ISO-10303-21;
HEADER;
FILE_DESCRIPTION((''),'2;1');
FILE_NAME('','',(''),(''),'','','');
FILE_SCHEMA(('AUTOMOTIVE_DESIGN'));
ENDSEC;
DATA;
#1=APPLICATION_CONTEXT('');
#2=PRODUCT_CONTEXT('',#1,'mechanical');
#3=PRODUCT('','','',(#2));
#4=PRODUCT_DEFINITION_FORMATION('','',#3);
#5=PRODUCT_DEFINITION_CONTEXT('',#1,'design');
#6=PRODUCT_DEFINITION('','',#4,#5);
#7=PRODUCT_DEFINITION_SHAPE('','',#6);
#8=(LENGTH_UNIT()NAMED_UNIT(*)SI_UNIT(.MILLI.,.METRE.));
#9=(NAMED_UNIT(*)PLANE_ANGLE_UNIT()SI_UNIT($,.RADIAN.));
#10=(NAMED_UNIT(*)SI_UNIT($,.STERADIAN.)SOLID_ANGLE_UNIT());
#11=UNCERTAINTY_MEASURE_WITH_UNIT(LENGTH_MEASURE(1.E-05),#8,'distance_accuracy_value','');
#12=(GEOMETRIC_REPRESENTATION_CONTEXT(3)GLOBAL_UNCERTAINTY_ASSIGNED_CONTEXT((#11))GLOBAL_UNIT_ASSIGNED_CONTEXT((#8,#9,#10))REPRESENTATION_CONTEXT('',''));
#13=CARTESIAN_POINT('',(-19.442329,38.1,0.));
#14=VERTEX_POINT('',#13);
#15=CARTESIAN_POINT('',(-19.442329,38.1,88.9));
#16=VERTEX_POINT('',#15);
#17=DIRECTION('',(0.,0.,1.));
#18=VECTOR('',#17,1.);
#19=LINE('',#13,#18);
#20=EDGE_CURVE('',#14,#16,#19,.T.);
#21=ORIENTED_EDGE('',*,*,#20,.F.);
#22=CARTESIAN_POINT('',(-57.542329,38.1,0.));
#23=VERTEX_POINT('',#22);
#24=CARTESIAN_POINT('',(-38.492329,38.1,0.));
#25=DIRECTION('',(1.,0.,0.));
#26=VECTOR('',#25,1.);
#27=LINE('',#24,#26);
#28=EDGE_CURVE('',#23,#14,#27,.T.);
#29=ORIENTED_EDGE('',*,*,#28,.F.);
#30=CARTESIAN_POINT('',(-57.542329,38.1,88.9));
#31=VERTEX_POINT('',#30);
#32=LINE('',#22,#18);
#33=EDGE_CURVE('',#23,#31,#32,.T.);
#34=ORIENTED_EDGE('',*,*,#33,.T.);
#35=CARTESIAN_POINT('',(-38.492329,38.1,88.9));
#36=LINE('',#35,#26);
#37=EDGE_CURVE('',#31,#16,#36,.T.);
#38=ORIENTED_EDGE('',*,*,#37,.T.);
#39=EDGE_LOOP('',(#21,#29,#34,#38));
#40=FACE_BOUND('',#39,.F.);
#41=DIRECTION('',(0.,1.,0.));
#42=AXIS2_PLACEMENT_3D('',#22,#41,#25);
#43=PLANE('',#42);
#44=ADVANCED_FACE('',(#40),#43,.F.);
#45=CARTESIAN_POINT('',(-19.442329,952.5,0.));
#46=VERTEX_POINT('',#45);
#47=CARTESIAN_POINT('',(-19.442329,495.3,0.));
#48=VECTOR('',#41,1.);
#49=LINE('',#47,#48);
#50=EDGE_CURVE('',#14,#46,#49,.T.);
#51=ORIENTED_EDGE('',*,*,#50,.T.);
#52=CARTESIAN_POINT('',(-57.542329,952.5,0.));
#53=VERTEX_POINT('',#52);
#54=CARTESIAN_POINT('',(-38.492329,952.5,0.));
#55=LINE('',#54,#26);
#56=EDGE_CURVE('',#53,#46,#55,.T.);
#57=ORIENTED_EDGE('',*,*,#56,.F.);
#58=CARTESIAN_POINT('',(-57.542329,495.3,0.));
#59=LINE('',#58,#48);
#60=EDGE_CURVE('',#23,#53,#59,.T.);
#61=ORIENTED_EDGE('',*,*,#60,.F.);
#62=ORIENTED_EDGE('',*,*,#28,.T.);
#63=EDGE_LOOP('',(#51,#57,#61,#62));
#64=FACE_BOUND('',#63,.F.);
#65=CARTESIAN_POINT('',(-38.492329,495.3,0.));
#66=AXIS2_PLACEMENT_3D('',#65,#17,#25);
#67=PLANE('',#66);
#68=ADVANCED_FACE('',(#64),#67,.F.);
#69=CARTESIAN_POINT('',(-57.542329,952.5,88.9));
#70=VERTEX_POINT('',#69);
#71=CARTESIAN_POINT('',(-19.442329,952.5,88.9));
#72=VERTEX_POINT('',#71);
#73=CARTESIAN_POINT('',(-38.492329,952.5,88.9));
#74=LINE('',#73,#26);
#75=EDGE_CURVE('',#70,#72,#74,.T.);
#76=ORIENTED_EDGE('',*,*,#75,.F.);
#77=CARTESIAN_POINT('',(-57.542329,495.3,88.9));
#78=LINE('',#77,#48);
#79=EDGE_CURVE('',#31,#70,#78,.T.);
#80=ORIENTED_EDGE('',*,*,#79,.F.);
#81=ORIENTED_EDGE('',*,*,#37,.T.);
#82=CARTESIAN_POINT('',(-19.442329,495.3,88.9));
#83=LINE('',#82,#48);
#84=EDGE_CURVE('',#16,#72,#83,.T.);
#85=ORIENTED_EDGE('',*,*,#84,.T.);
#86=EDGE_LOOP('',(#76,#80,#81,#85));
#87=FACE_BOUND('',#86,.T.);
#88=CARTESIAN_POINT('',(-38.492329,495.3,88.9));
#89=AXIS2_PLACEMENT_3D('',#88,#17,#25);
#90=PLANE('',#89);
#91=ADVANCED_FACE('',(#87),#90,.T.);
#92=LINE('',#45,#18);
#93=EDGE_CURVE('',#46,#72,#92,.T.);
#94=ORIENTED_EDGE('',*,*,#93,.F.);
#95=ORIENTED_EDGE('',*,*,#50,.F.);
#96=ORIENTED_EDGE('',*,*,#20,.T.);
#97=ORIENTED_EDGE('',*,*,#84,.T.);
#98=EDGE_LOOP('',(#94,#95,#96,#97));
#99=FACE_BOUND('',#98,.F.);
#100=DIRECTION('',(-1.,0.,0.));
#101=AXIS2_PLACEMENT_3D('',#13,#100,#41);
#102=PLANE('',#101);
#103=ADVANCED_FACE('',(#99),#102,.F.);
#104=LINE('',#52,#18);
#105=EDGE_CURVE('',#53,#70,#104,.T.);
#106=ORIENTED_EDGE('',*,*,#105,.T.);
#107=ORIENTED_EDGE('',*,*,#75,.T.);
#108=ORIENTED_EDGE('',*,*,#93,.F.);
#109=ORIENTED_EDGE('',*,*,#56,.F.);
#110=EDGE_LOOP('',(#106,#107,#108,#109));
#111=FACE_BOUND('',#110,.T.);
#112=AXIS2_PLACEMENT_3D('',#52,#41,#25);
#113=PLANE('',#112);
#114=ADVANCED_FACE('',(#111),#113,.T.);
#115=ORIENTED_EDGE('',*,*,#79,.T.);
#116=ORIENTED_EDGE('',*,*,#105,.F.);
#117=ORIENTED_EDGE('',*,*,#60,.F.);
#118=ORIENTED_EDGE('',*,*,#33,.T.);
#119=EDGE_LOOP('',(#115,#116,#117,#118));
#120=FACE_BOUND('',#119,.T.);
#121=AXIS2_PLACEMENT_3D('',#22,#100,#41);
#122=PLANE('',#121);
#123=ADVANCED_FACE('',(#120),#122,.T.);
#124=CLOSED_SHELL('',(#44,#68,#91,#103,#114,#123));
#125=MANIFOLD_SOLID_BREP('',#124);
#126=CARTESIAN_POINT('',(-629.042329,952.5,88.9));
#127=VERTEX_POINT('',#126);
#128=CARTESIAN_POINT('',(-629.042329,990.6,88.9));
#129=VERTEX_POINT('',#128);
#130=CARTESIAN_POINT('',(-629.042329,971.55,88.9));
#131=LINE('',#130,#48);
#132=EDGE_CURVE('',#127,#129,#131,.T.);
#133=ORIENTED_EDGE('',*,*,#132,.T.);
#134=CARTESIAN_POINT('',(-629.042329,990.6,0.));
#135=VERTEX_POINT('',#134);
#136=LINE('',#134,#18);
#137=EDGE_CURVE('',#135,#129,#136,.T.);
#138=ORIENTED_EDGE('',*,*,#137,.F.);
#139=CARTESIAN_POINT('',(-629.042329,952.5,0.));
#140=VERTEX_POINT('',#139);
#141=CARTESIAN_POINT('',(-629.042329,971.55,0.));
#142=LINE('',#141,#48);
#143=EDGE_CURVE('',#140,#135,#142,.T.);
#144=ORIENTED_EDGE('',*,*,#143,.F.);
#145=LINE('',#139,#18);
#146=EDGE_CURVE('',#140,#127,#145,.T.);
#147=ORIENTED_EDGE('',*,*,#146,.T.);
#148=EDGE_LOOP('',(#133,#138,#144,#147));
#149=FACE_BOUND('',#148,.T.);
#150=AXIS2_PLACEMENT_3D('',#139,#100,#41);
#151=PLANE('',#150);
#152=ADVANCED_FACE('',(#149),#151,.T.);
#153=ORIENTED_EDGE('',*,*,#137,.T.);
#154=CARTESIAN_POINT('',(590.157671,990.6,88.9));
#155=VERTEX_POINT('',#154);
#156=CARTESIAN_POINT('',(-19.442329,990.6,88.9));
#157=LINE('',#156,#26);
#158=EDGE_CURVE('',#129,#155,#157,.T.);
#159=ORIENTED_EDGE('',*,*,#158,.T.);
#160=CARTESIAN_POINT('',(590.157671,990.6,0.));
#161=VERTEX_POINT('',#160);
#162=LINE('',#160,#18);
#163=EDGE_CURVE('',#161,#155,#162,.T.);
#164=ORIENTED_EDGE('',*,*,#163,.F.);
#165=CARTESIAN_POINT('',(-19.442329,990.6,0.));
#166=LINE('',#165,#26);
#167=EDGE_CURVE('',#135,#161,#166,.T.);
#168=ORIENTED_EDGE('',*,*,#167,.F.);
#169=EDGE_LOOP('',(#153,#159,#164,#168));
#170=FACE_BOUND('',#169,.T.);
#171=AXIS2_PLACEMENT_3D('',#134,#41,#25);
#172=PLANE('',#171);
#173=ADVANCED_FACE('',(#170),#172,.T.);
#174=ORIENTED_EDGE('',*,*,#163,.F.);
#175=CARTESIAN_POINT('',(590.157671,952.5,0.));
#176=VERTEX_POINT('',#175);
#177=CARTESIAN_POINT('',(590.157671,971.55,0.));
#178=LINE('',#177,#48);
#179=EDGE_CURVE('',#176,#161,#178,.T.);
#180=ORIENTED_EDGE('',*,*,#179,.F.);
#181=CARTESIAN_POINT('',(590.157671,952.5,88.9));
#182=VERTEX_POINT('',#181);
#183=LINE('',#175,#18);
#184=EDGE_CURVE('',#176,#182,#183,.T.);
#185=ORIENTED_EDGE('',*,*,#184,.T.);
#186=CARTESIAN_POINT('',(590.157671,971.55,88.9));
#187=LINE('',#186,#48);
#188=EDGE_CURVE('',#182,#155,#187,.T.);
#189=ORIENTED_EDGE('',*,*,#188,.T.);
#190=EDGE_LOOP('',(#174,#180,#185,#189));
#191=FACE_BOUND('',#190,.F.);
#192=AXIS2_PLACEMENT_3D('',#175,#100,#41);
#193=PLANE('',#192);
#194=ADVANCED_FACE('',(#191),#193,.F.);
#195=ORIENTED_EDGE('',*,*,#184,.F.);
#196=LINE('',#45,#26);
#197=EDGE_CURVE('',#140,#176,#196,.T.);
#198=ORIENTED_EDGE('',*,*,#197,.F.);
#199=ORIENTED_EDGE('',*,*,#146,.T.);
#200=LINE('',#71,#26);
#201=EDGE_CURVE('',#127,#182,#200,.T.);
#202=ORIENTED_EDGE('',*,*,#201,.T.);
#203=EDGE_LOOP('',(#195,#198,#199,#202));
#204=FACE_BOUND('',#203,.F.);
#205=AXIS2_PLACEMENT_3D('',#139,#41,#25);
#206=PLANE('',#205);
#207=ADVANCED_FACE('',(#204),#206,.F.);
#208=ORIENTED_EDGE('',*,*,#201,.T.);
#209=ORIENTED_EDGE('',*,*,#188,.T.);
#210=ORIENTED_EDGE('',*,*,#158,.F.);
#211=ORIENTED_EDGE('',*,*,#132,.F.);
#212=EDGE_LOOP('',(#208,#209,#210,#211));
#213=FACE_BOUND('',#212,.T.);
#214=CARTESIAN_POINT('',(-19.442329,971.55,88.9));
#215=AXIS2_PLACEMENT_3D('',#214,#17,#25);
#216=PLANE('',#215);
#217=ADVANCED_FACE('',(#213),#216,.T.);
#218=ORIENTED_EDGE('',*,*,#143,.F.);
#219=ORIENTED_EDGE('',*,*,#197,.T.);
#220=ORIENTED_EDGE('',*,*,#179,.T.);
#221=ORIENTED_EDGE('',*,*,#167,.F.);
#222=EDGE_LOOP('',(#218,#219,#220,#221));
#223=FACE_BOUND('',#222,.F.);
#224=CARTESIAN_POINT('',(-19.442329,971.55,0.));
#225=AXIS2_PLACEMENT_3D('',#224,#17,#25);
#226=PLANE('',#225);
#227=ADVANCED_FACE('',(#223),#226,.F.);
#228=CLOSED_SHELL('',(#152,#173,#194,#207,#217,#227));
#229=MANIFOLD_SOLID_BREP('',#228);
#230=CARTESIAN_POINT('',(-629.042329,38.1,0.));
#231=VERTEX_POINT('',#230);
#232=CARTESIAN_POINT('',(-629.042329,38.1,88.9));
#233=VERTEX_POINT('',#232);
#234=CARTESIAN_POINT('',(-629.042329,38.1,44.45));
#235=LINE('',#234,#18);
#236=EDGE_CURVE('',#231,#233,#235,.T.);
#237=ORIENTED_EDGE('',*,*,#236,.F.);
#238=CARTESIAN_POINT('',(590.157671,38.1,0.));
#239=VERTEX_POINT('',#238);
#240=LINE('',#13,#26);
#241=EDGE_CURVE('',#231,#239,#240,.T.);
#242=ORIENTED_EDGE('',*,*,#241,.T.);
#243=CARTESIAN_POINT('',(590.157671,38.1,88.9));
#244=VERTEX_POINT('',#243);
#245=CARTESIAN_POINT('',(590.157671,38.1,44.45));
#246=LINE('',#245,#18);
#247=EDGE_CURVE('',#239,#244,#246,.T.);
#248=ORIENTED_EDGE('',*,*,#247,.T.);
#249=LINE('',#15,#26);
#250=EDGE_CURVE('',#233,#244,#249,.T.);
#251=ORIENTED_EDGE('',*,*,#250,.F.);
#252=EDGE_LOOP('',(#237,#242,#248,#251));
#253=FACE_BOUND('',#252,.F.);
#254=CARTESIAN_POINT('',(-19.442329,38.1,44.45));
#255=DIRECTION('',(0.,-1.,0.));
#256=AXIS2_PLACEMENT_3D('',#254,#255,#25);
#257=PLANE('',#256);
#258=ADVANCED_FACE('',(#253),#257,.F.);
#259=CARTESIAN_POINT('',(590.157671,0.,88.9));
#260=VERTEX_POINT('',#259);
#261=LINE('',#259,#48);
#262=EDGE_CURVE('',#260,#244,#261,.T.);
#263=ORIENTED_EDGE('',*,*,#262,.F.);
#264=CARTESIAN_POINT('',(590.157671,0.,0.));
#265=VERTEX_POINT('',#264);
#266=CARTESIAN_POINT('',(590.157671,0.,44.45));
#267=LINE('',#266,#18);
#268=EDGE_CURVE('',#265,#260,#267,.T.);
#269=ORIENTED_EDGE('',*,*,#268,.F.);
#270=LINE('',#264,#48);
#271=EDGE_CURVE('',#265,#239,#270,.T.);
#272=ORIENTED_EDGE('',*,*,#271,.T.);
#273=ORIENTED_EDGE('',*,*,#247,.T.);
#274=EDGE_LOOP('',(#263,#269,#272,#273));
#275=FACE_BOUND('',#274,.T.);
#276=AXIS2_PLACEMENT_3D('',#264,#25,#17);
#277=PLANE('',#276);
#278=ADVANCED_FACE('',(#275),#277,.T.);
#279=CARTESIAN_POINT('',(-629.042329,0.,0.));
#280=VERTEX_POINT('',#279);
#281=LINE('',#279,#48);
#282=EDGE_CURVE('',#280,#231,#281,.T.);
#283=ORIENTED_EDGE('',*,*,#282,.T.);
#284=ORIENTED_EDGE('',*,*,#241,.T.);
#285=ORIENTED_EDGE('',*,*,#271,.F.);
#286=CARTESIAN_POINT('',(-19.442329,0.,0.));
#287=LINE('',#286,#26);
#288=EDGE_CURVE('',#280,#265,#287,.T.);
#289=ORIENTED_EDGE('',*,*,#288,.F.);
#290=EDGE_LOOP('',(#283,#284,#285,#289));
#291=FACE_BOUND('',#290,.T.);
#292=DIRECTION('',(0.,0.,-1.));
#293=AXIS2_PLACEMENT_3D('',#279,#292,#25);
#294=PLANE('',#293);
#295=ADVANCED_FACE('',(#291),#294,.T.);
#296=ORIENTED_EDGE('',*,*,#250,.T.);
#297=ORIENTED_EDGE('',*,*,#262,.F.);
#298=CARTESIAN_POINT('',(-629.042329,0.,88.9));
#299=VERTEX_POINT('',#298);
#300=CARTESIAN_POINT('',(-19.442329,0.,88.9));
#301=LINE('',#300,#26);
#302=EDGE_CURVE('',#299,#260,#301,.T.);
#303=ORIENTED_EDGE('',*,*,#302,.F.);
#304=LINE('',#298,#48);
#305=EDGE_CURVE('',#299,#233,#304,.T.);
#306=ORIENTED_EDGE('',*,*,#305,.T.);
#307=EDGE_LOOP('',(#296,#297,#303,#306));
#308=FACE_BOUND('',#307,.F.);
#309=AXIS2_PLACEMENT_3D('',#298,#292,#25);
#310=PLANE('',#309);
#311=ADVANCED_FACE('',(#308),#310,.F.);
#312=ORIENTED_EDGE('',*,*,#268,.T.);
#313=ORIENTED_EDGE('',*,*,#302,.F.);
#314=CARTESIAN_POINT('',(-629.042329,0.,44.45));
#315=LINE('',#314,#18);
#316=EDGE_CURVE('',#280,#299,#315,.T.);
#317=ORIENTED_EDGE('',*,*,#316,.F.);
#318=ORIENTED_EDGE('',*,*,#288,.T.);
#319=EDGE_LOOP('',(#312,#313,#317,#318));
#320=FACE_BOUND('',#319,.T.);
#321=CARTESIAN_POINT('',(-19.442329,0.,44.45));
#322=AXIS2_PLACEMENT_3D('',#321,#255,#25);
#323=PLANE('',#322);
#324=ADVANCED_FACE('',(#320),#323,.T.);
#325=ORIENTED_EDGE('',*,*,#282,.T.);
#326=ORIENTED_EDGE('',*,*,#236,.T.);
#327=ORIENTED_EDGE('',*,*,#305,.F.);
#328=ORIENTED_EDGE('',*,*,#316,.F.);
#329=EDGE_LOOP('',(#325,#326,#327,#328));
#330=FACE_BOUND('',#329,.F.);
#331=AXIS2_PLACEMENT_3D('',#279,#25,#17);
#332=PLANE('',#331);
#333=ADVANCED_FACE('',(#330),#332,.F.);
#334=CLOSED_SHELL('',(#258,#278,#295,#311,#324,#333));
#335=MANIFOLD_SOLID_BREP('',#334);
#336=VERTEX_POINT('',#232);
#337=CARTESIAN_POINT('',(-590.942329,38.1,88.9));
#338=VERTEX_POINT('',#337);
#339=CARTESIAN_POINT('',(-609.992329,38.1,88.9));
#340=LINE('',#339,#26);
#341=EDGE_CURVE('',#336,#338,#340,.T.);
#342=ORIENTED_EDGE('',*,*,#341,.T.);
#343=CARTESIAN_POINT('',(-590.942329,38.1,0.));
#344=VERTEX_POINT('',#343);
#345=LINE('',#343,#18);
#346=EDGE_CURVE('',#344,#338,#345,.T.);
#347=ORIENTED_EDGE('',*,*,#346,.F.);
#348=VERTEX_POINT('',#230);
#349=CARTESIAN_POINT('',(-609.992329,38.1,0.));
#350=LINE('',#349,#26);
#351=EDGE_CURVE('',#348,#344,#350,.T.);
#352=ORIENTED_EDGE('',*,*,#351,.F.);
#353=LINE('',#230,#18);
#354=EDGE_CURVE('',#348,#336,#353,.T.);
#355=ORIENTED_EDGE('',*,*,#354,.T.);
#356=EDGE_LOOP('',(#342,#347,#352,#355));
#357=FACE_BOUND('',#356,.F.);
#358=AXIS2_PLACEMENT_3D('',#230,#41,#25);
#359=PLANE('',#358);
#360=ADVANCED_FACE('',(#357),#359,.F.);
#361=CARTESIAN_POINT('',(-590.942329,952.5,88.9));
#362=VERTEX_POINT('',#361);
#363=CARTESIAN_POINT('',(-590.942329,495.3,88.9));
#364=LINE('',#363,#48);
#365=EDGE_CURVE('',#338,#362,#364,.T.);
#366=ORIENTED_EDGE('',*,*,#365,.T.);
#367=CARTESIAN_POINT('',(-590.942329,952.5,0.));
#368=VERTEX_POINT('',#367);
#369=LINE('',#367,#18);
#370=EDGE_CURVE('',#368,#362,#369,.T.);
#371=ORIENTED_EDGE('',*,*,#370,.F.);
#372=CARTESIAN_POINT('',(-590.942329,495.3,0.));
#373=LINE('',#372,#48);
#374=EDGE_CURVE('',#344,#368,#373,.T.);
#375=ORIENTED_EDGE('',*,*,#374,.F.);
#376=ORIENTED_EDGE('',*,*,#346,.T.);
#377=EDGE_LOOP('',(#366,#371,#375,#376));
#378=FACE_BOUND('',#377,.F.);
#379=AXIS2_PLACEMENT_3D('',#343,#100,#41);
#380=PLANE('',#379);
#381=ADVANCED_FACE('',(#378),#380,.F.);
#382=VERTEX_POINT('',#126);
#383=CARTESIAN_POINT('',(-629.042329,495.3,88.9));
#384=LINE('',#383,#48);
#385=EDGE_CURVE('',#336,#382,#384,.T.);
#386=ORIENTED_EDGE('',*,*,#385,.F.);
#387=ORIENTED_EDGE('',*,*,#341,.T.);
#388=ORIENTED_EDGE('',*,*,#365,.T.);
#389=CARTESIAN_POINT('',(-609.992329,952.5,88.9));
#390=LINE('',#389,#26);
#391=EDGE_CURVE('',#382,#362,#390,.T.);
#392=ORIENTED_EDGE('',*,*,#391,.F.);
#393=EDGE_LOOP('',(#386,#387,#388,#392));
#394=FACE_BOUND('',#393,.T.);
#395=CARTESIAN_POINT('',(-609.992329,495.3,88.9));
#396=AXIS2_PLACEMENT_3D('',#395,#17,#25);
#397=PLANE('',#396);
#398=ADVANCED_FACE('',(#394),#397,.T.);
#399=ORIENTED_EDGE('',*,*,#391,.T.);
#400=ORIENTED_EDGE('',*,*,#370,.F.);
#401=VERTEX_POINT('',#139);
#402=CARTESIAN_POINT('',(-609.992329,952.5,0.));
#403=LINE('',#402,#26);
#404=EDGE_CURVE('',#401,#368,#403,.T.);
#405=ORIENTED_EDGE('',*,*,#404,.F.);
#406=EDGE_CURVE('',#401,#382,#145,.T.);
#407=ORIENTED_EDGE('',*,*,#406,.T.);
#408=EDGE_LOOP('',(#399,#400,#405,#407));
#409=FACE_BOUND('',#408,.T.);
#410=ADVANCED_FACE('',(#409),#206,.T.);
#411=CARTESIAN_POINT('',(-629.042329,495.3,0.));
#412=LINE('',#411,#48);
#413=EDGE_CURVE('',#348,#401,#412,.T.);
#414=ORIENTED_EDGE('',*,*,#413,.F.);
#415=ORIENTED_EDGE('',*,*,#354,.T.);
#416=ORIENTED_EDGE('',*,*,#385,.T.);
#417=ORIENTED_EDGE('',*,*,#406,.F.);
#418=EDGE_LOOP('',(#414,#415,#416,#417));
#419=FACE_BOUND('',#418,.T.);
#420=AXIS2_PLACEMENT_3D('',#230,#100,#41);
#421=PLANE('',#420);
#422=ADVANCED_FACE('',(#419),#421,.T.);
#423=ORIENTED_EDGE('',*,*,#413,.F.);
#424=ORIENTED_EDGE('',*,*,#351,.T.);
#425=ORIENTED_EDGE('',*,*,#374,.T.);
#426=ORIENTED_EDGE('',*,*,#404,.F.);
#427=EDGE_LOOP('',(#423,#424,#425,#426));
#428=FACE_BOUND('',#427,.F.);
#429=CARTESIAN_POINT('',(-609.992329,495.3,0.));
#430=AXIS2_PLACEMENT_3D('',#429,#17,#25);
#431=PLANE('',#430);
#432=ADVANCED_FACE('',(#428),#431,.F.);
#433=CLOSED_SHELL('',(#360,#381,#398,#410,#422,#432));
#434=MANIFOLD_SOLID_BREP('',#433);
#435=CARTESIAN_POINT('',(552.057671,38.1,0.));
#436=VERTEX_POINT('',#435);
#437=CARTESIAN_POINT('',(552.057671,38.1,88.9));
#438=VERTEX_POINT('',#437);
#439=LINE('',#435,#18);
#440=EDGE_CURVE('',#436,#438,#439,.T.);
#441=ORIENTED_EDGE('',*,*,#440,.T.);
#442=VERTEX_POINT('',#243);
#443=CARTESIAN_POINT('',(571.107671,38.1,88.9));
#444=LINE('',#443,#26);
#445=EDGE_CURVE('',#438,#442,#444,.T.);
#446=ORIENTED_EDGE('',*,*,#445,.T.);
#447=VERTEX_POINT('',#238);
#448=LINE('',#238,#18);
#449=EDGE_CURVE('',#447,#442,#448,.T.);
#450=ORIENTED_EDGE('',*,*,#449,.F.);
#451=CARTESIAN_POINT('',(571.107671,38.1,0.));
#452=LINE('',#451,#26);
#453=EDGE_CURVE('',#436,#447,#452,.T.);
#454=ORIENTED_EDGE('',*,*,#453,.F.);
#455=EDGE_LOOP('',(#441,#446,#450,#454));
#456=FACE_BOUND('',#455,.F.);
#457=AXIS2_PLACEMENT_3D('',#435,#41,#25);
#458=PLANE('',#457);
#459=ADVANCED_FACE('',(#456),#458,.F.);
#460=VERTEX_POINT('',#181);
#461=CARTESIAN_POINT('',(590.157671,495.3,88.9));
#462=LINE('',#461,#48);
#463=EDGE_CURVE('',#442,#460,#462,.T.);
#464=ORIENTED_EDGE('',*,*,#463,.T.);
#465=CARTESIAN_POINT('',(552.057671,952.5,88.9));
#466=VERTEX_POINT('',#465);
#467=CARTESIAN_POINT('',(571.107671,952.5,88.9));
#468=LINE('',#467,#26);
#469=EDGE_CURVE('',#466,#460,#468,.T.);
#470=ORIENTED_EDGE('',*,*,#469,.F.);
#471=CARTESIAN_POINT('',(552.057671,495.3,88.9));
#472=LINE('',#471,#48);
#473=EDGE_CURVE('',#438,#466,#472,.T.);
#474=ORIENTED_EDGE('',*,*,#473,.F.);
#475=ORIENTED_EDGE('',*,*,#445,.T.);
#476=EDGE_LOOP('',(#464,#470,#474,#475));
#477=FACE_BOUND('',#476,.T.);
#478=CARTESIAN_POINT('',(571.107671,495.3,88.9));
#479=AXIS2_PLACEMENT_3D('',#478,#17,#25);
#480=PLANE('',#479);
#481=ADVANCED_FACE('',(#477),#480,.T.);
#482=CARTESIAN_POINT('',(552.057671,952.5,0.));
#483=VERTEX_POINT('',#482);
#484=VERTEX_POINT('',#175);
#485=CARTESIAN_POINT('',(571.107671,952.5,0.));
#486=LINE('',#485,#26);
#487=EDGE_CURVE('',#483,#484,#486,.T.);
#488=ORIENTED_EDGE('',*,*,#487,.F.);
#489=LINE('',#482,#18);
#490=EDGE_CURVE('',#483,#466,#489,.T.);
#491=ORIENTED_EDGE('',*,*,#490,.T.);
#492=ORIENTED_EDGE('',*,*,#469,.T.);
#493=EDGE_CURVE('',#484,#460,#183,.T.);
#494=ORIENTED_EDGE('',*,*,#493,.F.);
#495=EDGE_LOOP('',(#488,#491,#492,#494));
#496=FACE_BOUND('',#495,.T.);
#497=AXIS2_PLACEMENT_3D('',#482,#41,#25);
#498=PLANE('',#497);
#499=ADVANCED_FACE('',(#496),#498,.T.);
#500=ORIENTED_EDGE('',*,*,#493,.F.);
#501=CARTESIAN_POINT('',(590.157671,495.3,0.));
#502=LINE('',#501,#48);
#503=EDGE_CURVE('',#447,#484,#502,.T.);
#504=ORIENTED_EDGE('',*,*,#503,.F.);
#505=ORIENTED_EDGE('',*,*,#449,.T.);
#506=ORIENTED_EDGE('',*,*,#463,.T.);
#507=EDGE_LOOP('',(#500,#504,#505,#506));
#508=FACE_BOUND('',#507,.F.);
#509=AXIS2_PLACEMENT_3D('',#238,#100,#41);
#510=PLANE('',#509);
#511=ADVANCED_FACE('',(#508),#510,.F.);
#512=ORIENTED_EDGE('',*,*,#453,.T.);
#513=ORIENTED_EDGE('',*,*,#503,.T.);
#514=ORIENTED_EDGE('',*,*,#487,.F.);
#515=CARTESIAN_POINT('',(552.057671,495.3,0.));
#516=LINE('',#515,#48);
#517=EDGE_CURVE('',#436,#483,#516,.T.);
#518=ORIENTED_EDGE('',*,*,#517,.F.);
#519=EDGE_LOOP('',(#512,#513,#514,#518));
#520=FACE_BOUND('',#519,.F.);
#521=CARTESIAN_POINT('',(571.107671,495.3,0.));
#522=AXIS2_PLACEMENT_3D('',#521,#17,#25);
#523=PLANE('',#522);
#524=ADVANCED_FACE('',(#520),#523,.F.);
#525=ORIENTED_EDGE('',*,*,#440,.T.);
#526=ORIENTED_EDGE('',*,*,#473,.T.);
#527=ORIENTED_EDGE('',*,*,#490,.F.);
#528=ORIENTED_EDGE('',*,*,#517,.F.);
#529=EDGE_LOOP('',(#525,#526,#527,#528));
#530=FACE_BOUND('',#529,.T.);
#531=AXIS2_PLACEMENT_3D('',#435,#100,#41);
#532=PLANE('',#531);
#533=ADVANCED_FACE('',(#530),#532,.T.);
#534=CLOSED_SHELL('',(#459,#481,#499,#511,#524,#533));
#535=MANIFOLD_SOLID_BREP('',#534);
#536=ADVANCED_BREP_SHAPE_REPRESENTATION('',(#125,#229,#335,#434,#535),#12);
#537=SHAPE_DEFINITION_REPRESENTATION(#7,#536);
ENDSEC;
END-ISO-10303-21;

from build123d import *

# Parameters (mm, degrees)
F0_W     = 1219.2
F0_H     = 88.9
F1_DEPTH = 38.1
F2_W     = 38.1
F2_H     = 914.4
F3_DEPTH = 88.9
F4_W     = 1219.2
F4_H     = 38.1
F5_DEPTH = 88.9


with BuildPart() as f1:
    # F0 (on Front) → F1 (new body)
    with BuildSketch(Plane.XZ):
        with Locations((-19.442329, 44.45)):
            Rectangle(F0_W, F0_H)
    extrude(amount=-F1_DEPTH)


with BuildPart() as f3:
    # F2 (on Top) → F3 (new body)
    with BuildSketch(Plane.XY):
        with Locations((-609.992329, 495.3)):
            Rectangle(F2_W, F2_H)
        with Locations((571.107671, 495.3)):
            Rectangle(F2_W, F2_H)
        with Locations((-38.492329, 495.3)):
            Rectangle(F2_W, F2_H)
    extrude(amount=F3_DEPTH)


with BuildPart() as f5:
    # F4 (on Top) → F5 (new body)
    with BuildSketch(Plane.XY):
        with Locations((-19.442329, 971.55)):
            Rectangle(F4_W, F4_H)
    extrude(amount=F5_DEPTH)


solid = Compound([f1.part, f3.part, f5.part])
